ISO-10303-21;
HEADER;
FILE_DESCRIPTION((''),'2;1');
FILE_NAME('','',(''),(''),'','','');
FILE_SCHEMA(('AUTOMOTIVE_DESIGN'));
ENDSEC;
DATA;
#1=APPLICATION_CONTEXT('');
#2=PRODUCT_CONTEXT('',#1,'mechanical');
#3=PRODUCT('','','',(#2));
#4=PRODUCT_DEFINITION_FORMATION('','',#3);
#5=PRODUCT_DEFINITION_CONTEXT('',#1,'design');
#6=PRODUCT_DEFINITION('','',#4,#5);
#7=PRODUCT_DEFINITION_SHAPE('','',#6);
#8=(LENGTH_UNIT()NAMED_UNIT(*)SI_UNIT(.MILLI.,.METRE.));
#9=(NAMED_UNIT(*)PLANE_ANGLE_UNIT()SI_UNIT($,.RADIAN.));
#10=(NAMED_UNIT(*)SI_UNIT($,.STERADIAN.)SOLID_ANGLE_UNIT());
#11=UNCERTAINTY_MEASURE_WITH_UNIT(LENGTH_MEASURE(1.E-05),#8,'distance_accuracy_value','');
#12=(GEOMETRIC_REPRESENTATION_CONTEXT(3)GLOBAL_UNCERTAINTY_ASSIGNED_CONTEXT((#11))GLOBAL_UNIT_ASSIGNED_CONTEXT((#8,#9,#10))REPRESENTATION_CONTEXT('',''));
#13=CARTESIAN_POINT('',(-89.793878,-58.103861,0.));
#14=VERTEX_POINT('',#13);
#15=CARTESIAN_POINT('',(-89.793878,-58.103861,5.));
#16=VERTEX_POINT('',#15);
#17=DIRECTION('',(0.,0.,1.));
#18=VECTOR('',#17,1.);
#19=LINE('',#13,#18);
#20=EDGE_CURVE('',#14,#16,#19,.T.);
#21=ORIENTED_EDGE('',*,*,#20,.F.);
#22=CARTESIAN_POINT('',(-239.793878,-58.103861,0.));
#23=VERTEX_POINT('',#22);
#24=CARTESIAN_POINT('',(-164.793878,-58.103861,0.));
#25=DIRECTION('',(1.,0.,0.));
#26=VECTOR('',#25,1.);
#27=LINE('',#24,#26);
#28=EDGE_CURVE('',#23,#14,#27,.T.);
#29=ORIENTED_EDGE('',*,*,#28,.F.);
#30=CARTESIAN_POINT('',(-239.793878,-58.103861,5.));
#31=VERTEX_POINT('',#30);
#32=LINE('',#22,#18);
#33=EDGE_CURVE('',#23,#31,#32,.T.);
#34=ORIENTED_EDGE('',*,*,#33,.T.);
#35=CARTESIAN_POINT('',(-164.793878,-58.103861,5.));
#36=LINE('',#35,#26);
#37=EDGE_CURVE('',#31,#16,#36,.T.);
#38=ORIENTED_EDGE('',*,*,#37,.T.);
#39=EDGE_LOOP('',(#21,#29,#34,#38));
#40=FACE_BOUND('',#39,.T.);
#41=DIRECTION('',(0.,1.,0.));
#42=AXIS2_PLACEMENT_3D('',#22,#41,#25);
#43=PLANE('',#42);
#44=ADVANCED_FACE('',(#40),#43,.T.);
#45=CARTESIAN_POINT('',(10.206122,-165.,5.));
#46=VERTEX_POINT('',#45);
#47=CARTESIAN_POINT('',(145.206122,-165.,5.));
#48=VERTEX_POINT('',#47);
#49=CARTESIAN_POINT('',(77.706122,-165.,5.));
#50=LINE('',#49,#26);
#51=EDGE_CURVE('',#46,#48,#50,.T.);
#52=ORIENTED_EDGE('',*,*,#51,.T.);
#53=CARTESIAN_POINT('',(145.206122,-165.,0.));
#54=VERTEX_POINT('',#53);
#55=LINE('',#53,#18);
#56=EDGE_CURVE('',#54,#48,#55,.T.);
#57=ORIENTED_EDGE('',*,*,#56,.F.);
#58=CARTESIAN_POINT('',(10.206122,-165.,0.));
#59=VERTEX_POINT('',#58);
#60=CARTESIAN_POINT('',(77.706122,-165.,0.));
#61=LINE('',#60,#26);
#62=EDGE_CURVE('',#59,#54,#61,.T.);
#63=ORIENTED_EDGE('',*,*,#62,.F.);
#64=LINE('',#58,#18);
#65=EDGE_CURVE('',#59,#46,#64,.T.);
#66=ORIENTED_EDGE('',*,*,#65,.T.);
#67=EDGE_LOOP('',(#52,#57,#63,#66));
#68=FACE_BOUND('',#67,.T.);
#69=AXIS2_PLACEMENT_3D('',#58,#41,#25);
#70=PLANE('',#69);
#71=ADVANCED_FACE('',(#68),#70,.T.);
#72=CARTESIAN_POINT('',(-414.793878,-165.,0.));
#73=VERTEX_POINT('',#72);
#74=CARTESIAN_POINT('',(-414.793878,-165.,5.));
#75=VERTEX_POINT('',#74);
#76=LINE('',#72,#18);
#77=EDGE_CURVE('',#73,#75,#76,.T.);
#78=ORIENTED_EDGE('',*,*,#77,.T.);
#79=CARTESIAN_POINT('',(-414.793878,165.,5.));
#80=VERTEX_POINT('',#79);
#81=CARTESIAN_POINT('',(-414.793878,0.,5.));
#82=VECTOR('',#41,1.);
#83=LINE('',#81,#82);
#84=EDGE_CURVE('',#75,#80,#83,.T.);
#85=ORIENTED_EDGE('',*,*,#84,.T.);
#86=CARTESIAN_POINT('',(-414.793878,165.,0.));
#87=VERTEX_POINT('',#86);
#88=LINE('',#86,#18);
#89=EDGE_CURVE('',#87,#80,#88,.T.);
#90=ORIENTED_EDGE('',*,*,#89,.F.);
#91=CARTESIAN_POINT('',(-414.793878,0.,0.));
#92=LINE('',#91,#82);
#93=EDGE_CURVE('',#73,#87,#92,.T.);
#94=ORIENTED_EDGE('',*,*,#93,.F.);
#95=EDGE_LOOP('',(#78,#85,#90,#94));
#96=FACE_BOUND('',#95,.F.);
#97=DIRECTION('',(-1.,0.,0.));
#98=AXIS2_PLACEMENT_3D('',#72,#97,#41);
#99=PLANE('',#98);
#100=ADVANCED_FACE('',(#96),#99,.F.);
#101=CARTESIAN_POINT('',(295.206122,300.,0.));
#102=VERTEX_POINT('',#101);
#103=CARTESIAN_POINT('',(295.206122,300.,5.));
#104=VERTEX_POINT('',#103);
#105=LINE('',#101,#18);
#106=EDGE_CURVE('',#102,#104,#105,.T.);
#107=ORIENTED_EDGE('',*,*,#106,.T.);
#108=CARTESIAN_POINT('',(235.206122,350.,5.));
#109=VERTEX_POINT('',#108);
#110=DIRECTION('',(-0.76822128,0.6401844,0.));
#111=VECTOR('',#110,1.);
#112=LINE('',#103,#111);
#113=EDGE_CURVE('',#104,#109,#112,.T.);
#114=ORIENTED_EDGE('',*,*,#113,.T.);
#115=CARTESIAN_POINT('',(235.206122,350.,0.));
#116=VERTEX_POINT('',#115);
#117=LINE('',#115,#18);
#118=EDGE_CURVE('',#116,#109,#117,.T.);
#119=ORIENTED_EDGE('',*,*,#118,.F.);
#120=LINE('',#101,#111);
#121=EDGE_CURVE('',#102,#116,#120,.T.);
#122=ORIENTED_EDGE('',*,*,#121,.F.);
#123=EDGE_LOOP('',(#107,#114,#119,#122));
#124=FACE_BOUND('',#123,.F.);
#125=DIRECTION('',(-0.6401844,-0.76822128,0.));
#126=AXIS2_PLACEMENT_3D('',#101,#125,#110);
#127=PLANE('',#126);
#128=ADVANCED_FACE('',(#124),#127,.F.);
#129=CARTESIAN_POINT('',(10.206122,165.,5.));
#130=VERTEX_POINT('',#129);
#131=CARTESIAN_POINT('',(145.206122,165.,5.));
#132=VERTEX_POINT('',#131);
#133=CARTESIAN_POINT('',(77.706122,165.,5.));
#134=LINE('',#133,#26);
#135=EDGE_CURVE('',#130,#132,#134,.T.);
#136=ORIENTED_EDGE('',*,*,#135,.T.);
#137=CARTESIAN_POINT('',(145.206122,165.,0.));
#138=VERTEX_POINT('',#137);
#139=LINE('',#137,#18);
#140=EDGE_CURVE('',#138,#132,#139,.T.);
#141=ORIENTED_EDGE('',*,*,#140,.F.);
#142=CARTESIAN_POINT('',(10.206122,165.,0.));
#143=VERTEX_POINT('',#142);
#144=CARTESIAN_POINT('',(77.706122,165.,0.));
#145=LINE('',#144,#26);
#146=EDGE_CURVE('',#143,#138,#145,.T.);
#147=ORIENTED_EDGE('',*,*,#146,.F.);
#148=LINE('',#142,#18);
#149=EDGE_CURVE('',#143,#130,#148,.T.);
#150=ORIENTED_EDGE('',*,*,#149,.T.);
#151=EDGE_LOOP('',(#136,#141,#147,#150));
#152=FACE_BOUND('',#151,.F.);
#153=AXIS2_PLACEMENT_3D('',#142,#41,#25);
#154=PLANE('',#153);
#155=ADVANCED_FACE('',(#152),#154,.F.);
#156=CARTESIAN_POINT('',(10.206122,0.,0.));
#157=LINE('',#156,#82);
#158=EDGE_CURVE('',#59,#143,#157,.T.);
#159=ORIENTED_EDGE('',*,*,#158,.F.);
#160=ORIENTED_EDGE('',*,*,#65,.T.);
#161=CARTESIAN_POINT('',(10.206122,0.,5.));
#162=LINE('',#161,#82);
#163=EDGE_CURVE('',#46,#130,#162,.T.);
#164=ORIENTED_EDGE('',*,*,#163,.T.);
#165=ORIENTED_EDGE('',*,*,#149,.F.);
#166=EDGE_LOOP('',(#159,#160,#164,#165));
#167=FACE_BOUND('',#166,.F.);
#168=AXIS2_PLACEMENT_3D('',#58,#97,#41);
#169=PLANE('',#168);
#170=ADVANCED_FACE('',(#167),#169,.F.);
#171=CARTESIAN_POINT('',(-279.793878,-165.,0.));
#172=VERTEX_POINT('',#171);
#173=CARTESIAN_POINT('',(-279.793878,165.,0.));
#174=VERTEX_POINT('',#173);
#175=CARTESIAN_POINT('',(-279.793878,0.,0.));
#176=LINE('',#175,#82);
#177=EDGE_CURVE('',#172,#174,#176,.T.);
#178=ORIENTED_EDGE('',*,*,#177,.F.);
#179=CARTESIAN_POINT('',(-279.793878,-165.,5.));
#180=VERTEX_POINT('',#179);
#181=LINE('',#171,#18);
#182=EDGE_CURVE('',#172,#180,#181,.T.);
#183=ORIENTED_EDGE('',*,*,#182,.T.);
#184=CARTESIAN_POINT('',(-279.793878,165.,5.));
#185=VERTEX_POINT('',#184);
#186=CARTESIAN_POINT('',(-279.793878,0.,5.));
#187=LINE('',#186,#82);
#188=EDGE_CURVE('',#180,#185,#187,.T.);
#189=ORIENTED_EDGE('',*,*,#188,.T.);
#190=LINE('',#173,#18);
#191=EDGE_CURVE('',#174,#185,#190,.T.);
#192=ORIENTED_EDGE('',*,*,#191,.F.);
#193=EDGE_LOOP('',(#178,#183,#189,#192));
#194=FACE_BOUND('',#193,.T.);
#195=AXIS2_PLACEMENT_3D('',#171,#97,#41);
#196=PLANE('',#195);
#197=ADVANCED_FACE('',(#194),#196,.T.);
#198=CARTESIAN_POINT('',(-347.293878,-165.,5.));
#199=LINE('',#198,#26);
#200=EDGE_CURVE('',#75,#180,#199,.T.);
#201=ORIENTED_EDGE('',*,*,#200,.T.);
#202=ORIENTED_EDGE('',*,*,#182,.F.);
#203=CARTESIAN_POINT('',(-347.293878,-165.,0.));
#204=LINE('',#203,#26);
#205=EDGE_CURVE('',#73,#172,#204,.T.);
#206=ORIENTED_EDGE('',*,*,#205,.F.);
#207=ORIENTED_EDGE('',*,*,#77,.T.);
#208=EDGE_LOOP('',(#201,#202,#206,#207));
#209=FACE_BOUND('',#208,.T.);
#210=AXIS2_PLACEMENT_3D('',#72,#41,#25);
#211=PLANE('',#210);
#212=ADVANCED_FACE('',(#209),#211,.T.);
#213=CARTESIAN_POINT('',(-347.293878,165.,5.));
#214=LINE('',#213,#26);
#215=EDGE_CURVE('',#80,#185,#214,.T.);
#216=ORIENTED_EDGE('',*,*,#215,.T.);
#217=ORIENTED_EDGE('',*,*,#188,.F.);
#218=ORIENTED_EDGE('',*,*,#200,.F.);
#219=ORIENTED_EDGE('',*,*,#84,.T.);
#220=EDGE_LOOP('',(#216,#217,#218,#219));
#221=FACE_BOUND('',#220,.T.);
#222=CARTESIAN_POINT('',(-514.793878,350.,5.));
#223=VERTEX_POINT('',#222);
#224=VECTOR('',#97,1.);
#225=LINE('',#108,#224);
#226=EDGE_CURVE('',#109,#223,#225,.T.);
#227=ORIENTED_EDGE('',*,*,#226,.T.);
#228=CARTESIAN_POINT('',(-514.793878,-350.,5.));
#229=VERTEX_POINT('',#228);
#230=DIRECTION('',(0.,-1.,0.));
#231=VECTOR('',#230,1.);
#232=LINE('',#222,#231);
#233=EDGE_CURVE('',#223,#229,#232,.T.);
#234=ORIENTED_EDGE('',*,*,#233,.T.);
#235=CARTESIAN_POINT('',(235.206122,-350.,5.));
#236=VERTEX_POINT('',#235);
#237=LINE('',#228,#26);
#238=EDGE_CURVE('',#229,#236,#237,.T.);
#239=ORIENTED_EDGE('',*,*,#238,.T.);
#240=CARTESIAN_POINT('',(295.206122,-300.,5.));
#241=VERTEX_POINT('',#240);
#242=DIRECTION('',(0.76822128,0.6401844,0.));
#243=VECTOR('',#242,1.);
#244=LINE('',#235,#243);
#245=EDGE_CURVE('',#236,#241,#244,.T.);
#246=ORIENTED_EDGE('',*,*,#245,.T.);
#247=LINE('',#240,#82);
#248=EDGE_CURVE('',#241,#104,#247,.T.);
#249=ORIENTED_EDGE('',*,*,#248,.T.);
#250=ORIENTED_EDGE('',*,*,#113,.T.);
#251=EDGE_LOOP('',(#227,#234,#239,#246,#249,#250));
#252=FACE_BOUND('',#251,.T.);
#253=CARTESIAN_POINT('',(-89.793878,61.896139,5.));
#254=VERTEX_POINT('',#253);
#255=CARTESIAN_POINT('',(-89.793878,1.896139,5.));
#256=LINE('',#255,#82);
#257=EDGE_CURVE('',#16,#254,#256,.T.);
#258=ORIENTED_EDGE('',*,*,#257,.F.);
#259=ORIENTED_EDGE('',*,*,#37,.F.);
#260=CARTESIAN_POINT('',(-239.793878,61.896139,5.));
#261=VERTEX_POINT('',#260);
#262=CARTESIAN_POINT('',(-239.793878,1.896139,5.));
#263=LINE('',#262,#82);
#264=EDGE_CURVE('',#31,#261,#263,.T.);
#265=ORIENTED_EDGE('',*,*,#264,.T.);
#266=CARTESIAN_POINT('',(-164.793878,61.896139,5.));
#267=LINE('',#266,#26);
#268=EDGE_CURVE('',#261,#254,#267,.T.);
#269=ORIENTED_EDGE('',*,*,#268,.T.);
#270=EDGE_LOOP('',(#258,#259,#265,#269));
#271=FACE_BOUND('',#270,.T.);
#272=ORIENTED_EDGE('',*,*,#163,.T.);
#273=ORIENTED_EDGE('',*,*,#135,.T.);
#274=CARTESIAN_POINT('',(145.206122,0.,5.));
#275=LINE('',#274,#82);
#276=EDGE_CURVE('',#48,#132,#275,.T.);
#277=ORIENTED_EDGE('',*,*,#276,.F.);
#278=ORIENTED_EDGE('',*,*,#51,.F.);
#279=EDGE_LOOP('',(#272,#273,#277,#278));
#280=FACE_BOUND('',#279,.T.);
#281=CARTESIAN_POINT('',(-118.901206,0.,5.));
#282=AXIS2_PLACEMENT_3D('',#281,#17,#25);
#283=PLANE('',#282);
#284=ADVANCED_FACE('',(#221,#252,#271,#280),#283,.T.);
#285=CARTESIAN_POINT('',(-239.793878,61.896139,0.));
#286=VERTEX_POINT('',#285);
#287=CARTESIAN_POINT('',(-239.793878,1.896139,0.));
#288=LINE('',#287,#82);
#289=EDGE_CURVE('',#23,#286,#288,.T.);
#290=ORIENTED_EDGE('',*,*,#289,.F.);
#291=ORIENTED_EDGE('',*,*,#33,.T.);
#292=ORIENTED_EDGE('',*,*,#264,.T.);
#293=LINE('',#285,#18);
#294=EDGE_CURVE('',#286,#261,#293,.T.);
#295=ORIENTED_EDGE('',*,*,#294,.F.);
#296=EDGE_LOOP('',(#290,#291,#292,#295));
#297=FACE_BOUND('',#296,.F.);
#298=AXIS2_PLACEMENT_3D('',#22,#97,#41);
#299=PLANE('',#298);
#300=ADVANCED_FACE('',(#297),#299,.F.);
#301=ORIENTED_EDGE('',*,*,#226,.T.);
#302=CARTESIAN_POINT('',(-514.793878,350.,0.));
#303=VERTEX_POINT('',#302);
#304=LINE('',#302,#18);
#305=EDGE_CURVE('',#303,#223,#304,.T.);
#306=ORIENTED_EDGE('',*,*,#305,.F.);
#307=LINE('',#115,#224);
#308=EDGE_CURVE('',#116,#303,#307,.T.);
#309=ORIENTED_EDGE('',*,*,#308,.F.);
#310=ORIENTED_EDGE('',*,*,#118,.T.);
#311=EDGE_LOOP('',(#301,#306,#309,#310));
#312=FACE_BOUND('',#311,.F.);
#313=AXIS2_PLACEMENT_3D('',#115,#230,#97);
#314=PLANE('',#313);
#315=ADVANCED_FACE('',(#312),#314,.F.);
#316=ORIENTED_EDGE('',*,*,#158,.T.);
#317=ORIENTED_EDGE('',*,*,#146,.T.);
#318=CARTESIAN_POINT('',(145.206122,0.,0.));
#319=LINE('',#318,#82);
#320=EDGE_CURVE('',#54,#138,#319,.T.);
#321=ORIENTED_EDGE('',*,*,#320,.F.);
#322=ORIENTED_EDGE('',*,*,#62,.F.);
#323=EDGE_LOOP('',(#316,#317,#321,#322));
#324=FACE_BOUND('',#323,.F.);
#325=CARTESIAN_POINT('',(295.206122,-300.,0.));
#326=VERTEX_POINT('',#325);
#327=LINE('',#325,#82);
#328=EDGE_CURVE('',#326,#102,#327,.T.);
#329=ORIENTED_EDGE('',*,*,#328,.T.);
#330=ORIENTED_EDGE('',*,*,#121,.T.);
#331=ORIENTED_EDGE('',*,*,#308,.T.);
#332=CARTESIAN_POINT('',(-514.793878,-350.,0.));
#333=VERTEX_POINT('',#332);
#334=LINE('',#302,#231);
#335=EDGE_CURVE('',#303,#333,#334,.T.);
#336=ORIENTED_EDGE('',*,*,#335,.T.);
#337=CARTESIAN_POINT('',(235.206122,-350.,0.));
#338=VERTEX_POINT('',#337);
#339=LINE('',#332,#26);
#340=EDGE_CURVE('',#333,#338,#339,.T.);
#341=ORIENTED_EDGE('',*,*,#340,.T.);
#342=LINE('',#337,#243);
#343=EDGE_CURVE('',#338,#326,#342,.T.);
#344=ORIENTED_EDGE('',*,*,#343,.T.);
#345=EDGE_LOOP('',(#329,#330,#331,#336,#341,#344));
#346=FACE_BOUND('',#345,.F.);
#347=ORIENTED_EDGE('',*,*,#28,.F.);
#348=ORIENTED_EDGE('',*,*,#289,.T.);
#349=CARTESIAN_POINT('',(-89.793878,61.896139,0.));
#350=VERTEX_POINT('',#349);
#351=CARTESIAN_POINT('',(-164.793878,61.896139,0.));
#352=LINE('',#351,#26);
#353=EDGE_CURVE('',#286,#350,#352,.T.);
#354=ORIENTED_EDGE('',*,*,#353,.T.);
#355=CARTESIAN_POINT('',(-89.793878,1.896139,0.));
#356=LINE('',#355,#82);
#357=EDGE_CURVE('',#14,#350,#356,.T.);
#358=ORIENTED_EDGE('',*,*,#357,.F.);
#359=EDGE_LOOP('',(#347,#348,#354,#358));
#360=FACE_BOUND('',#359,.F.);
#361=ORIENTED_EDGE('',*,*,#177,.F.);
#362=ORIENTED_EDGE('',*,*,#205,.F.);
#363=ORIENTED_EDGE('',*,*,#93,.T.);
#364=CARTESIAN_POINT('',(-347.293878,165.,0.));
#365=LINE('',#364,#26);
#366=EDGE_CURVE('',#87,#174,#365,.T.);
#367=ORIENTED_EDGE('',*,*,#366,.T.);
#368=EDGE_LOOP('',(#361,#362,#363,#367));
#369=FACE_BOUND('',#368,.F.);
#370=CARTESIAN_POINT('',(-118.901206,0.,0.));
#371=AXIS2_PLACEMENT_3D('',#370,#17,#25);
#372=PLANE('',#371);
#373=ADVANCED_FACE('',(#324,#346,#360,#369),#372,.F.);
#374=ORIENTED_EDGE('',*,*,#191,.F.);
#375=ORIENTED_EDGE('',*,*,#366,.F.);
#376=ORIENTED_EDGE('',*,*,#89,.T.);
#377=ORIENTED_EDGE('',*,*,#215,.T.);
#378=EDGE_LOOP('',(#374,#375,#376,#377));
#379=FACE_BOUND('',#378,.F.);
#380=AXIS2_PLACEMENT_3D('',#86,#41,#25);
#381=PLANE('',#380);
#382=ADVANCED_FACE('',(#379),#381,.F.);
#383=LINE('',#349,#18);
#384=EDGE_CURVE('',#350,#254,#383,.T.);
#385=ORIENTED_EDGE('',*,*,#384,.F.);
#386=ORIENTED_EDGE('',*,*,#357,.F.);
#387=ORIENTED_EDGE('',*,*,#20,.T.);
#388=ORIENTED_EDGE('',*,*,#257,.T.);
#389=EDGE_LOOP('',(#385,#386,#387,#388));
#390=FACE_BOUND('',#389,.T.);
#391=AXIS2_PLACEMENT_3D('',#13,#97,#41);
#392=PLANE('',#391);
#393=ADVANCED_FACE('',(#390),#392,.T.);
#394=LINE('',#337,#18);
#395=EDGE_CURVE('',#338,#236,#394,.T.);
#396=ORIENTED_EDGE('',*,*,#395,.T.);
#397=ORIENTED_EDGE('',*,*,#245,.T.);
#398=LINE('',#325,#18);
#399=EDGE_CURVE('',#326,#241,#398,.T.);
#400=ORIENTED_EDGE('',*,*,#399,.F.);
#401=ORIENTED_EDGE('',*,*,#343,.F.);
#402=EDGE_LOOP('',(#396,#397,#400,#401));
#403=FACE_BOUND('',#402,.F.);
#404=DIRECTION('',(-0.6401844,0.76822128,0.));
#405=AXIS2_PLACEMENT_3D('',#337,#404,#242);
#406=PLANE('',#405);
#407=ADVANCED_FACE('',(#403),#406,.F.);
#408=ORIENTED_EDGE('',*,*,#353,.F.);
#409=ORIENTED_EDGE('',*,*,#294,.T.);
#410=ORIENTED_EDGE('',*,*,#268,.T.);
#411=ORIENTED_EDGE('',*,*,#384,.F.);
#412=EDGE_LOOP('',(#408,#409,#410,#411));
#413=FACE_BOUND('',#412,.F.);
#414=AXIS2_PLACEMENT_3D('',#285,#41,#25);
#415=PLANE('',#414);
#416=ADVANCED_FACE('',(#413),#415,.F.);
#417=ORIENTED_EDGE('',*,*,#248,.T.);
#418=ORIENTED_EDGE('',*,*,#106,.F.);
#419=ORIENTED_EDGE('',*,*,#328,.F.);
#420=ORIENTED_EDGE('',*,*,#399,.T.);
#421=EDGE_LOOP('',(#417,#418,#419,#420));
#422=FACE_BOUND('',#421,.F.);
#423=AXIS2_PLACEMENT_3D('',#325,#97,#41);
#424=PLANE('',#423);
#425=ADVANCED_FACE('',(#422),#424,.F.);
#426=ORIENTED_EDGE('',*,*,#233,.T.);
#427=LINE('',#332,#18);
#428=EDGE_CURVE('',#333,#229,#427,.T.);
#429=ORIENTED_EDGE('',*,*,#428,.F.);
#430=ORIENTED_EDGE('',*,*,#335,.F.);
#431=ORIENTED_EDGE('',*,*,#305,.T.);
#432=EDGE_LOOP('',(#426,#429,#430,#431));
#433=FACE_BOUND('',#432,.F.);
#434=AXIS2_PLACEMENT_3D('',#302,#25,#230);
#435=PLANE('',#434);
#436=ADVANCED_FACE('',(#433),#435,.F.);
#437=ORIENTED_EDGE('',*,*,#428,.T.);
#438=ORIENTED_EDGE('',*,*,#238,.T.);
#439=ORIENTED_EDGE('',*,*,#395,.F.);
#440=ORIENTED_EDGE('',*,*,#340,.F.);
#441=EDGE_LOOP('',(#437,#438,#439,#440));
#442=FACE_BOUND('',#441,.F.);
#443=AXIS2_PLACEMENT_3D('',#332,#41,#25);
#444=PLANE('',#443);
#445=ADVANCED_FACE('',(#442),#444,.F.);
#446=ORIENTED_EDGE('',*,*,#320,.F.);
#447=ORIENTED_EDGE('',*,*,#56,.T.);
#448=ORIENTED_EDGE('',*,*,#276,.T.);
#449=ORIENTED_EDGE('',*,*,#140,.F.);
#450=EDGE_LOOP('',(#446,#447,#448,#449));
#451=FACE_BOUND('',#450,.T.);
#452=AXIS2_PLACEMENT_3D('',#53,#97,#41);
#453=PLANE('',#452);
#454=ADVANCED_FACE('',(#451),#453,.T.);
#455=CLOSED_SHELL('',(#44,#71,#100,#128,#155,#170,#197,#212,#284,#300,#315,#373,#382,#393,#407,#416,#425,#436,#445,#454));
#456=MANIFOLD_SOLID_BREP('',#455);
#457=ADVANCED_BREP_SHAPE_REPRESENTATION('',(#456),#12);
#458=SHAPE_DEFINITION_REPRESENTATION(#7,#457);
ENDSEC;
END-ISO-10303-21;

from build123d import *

# Parameters (mm, degrees)
F4_W     = 135
F4_H     = 330
F4_W_2   = 150
F4_H_2   = 120
F5_DEPTH = 5


with BuildPart() as f5:
    # F4 (on Top) → F5 (new body)
    with BuildSketch(Plane.XY):
        Polygon((295.206122, 235), (295.206122, 300), (235.206122, 350), (-514.793878, 350), (-514.793878, -350), (235.206122, -350), (295.206122, -300), (295.206122, -235), align=None)
        with Locations((-347.293878, 0)):
            Rectangle(F4_W, F4_H, mode=Mode.SUBTRACT)
        with Locations((-164.793878, 1.896139)):
            Rectangle(F4_W_2, F4_H_2, mode=Mode.SUBTRACT)
        with Locations((77.706122, 0)):
            Rectangle(F4_W, F4_H, mode=Mode.SUBTRACT)
    extrude(amount=F5_DEPTH)


solid = f5.part
